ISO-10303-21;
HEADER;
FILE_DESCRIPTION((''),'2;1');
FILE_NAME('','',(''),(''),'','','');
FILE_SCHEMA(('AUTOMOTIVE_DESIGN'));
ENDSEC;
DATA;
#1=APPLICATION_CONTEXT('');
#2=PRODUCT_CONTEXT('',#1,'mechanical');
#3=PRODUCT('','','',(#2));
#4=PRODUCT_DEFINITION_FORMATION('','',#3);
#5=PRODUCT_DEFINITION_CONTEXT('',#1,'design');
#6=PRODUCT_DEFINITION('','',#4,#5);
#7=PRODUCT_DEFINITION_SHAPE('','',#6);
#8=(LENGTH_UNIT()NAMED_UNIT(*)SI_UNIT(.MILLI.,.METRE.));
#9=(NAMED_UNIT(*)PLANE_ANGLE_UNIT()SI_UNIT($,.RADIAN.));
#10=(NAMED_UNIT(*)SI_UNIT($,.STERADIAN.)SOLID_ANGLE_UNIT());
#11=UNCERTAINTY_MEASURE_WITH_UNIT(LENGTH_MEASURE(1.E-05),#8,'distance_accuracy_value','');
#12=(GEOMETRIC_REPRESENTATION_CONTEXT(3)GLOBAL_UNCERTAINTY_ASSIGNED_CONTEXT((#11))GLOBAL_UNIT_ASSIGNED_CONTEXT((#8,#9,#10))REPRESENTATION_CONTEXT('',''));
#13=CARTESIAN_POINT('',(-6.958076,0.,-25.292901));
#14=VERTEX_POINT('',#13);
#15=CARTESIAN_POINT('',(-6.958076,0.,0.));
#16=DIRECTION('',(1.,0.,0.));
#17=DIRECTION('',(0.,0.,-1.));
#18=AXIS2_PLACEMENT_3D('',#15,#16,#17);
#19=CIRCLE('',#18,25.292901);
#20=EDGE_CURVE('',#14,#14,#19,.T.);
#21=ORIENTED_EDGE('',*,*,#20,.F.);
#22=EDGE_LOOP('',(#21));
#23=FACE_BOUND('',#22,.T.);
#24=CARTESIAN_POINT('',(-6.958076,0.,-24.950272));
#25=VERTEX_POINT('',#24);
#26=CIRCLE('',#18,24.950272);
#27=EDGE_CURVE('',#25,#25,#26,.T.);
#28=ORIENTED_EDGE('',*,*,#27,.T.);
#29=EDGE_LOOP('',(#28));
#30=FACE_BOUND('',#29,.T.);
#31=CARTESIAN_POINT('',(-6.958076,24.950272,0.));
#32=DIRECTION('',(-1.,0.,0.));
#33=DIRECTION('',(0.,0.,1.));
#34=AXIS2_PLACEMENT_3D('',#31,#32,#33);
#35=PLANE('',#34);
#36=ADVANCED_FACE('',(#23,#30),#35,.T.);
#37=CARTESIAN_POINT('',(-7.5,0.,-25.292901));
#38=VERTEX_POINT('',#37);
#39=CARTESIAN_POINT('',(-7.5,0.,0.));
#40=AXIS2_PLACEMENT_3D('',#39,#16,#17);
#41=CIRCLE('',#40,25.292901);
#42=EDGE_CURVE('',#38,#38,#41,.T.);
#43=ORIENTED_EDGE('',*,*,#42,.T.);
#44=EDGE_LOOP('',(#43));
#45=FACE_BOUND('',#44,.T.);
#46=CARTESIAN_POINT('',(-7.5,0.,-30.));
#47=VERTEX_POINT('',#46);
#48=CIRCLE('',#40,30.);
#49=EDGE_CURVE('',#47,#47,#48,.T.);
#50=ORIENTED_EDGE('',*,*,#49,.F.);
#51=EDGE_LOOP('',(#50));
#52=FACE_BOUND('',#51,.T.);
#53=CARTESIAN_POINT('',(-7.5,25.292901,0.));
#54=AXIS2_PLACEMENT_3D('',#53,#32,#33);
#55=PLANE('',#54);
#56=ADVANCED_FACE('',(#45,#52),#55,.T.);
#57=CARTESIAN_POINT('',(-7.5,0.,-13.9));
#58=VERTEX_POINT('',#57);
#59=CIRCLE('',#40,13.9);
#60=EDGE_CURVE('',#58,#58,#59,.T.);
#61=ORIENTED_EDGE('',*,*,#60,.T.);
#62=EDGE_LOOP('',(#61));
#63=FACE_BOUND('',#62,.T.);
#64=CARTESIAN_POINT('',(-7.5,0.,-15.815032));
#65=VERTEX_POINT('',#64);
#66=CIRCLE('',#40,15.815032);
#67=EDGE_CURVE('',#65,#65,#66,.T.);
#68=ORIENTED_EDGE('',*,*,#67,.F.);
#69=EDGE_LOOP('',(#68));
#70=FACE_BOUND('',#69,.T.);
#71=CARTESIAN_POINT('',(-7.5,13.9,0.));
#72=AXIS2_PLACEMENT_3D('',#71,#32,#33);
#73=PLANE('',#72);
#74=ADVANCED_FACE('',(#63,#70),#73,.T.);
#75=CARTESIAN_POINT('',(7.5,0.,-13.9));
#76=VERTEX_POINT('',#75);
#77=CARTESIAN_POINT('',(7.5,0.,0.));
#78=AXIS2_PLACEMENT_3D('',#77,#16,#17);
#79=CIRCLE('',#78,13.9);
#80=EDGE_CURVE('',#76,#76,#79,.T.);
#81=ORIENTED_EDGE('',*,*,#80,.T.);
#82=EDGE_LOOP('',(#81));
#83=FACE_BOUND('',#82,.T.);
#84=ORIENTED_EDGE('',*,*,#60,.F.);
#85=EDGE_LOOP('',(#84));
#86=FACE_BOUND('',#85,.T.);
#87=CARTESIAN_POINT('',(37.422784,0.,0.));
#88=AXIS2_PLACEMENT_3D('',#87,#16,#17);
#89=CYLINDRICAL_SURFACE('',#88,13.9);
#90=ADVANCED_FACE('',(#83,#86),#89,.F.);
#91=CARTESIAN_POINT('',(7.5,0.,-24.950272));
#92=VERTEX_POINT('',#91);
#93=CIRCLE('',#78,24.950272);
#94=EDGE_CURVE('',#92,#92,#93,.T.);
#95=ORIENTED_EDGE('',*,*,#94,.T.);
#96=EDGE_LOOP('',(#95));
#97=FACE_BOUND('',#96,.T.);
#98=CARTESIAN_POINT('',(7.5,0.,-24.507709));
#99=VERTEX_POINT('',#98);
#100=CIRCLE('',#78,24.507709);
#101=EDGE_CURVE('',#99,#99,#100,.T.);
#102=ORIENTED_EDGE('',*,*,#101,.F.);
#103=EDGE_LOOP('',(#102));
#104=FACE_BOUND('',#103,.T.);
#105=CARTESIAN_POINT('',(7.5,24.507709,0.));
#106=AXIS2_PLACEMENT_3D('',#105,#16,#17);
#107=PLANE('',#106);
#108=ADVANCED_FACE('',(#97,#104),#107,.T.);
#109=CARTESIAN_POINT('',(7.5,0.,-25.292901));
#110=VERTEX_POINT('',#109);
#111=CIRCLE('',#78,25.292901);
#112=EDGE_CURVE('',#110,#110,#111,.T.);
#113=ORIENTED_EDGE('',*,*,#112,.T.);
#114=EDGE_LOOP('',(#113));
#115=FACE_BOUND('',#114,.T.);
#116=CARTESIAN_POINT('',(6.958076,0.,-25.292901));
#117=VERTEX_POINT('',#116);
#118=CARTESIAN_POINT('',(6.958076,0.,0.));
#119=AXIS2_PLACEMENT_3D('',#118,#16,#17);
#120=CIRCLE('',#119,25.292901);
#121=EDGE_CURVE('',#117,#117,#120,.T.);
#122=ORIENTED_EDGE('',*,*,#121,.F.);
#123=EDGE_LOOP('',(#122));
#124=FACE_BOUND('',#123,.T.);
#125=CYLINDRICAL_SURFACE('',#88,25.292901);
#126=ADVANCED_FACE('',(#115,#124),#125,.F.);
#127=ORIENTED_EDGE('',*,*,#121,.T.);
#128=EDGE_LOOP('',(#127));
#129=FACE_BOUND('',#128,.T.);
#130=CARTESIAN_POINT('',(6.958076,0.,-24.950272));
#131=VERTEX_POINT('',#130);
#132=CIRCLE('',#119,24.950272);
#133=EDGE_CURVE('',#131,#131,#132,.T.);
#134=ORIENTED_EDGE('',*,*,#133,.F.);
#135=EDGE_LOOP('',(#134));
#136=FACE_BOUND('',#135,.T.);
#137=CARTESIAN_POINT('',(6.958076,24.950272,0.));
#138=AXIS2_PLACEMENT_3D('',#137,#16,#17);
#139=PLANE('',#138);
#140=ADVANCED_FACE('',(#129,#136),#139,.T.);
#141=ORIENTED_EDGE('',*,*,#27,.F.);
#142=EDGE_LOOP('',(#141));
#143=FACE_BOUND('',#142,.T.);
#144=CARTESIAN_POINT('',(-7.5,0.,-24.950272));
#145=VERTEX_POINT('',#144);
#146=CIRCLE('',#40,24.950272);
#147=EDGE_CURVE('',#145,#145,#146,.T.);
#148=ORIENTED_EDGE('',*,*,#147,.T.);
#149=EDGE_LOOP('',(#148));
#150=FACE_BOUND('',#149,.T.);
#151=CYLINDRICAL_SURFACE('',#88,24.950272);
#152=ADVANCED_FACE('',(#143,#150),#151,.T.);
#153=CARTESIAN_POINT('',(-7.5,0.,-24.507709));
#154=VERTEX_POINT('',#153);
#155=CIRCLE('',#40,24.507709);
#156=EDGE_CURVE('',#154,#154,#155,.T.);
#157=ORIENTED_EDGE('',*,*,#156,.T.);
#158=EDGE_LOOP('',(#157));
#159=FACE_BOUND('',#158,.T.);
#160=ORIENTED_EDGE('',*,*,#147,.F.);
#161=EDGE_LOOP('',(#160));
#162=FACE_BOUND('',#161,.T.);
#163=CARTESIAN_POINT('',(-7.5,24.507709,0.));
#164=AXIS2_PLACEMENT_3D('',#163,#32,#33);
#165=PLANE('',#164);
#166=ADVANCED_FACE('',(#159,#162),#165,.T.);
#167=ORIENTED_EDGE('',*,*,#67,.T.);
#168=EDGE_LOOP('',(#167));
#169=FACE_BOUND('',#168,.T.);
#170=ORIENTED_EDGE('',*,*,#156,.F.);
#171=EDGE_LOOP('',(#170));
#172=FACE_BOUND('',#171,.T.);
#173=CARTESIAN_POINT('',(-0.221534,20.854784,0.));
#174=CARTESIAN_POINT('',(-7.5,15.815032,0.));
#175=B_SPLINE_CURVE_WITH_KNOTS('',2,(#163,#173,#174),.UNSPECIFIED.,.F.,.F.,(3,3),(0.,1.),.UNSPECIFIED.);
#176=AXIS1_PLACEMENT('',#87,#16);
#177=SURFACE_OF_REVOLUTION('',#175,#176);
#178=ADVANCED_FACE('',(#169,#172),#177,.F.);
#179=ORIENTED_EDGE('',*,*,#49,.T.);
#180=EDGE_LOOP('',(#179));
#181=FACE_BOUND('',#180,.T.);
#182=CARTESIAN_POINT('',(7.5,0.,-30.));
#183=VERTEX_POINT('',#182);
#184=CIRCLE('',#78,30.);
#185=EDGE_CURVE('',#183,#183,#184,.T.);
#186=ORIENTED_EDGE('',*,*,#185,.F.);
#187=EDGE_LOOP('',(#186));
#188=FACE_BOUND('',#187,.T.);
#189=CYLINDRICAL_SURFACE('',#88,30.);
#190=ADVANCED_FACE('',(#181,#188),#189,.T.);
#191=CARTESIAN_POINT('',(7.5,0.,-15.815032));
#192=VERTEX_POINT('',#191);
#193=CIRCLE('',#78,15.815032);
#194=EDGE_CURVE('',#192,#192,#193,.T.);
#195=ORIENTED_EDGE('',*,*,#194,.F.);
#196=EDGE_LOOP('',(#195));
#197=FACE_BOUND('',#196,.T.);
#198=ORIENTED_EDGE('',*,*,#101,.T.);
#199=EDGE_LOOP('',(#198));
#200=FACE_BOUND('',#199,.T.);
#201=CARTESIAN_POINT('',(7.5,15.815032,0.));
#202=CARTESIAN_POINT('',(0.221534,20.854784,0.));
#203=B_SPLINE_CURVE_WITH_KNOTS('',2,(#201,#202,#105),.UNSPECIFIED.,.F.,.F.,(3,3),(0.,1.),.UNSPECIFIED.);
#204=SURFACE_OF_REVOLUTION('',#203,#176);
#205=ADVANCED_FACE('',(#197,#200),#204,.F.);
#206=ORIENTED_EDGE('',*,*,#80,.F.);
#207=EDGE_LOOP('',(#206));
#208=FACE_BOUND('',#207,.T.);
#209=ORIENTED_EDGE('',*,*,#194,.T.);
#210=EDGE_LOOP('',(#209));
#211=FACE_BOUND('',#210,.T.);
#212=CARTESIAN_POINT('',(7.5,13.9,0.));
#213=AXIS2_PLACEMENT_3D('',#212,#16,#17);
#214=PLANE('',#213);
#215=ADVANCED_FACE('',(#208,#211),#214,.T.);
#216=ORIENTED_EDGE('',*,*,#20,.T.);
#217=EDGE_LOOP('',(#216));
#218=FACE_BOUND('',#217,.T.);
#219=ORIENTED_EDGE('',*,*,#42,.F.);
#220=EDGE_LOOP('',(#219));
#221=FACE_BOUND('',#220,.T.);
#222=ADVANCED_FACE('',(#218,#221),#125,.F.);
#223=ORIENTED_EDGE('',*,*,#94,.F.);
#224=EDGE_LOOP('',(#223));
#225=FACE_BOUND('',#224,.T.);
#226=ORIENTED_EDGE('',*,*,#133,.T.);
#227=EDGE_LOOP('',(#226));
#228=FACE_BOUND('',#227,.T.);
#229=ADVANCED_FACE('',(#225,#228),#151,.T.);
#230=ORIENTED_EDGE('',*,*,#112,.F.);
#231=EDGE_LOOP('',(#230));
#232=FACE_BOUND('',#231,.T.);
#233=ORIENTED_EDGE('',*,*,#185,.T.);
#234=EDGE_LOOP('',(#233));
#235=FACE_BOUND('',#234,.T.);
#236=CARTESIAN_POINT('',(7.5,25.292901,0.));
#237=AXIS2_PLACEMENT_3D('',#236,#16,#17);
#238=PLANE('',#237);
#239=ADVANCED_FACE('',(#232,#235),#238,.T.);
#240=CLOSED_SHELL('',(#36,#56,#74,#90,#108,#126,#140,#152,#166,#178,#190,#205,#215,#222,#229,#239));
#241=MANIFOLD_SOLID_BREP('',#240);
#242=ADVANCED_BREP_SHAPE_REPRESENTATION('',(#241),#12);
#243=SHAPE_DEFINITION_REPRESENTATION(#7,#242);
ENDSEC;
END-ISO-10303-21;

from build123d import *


with BuildPart() as part:
    # Sketch1 → Revolve1 (revolve)
    with BuildSketch(Plane.XY, mode=Mode.PRIVATE) as revolve1_sk:
        with BuildLine():
            Line((7.5, 13.9), (-7.5, 13.9))
            Line((-7.5, 13.9), (-7.5, 15.815032431))
            add(Edge.make_bspline(
                [(-7.5, 15.815032431), (-0.221533759, 20.854783747), (-7.5, 24.507708918)],
                knots=[0, 0, 0, 1, 1, 1], degree=2))
            Line((-7.5, 24.507708918), (-7.5, 24.950271606))
            Line((-7.5, 24.950271606), (-6.958076182, 24.950271606))
            Line((-6.958076182, 24.950271606), (-6.958076182, 25.292900784))
            Line((-6.958076182, 25.292900784), (-7.5, 25.292900784))
            Line((-7.5, 25.292900784), (-7.5, 30))
            Line((-7.5, 30), (7.5, 30))
            Line((7.5, 30), (7.5, 25.292900784))
            Line((7.5, 25.292900784), (6.958076182, 25.292900784))
            Line((6.958076182, 25.292900784), (6.958076182, 24.950271606))
            Line((6.958076182, 24.950271606), (7.5, 24.950271606))
            Line((7.5, 24.950271606), (7.5, 24.507708918))
            add(Edge.make_bspline(
                [(7.5, 15.815032431), (0.221533759, 20.854783747), (7.5, 24.507708918)],
                knots=[0, 0, 0, 1, 1, 1], degree=2))
            Line((7.5, 15.815032431), (7.5, 13.9))
        make_face()
    revolve(revolve1_sk.sketch.rotate(Axis((37.422784058, 0, 0), (-1, 0, 0)), 90), axis=Axis((37.422784058, 0, 0), (-1, 0, 0)))


solid = part.part
